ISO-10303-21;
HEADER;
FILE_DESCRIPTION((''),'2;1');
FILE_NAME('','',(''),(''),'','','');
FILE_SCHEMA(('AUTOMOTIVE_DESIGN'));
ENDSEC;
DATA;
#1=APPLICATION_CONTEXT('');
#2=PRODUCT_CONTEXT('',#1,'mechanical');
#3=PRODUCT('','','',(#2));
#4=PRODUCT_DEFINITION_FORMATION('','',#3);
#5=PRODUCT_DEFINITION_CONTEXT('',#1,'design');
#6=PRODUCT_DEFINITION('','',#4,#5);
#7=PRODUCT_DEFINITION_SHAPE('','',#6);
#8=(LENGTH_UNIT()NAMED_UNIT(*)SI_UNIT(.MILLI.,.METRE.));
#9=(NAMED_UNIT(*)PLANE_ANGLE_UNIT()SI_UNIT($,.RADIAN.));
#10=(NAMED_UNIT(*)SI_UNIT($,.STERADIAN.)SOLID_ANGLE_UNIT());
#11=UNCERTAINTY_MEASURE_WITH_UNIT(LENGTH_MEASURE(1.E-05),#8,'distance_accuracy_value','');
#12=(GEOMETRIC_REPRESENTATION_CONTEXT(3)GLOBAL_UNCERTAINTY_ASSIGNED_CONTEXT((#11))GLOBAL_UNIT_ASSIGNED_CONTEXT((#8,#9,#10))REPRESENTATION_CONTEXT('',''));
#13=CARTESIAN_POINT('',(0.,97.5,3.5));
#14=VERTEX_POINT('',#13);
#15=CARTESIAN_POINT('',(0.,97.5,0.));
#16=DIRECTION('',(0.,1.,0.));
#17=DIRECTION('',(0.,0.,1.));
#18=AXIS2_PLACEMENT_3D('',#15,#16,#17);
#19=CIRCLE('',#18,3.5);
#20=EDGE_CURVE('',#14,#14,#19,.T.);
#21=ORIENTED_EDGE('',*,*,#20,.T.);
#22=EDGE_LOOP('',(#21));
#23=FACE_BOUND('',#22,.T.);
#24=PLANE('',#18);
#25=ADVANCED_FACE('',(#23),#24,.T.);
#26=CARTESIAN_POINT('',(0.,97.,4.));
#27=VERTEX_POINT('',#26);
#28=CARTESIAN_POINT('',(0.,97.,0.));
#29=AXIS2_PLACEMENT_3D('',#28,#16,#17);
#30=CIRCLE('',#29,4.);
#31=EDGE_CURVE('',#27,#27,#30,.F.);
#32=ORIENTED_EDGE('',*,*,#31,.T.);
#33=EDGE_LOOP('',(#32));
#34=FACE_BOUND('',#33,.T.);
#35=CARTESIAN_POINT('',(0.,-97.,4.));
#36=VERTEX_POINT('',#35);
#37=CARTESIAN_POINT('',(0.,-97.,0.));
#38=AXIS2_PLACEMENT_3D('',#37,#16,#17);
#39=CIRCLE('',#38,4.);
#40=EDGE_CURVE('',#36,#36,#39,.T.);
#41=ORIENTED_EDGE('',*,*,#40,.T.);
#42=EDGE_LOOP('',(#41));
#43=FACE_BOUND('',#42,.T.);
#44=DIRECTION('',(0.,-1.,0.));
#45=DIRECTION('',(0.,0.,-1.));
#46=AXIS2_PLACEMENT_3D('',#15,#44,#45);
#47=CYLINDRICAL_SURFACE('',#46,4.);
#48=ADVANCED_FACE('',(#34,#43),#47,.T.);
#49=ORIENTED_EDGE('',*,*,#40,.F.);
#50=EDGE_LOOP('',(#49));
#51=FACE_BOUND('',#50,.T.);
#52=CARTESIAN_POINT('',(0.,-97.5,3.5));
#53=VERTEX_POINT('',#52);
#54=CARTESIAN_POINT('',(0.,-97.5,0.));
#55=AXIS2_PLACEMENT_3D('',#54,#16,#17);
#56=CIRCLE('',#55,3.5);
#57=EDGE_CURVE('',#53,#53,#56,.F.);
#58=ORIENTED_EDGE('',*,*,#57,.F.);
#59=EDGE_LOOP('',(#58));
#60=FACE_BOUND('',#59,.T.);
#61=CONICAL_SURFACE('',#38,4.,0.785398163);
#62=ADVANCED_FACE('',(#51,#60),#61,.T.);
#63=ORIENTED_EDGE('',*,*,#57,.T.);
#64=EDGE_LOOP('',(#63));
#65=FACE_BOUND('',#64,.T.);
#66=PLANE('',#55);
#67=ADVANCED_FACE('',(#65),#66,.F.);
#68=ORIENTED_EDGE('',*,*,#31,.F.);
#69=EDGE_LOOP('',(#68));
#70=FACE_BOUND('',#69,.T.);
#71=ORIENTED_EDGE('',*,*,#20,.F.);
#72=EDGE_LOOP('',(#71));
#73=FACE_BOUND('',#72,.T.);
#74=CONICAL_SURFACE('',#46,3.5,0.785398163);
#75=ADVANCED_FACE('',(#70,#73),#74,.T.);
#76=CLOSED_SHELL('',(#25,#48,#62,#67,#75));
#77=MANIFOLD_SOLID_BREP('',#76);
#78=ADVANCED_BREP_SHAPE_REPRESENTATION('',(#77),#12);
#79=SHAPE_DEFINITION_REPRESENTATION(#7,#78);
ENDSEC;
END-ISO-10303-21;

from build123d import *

# Parameters (mm, degrees)
SKETCH1_R           = 4
BOSS_EXTRUDE1_DEPTH = 97.5
CHAMFER1_SIZE       = 0.5


with BuildPart() as part:
    # Sketch1 → Boss-Extrude1 (new body, symmetric)
    with BuildSketch(Plane(origin=(0, 0, 0), x_dir=(1, 0, 0), z_dir=(0, 1, 0))):
        Circle(SKETCH1_R)
    extrude(amount=BOSS_EXTRUDE1_DEPTH, both=True)

    # Chamfer1
    chamfer1_edges = [part.edges().sort_by_distance(p)[0] for p in [
        (-4, -97.5, 0),
        (-4, 97.5, 0),
    ]]
    chamfer(chamfer1_edges, length=CHAMFER1_SIZE)


solid = part.part
